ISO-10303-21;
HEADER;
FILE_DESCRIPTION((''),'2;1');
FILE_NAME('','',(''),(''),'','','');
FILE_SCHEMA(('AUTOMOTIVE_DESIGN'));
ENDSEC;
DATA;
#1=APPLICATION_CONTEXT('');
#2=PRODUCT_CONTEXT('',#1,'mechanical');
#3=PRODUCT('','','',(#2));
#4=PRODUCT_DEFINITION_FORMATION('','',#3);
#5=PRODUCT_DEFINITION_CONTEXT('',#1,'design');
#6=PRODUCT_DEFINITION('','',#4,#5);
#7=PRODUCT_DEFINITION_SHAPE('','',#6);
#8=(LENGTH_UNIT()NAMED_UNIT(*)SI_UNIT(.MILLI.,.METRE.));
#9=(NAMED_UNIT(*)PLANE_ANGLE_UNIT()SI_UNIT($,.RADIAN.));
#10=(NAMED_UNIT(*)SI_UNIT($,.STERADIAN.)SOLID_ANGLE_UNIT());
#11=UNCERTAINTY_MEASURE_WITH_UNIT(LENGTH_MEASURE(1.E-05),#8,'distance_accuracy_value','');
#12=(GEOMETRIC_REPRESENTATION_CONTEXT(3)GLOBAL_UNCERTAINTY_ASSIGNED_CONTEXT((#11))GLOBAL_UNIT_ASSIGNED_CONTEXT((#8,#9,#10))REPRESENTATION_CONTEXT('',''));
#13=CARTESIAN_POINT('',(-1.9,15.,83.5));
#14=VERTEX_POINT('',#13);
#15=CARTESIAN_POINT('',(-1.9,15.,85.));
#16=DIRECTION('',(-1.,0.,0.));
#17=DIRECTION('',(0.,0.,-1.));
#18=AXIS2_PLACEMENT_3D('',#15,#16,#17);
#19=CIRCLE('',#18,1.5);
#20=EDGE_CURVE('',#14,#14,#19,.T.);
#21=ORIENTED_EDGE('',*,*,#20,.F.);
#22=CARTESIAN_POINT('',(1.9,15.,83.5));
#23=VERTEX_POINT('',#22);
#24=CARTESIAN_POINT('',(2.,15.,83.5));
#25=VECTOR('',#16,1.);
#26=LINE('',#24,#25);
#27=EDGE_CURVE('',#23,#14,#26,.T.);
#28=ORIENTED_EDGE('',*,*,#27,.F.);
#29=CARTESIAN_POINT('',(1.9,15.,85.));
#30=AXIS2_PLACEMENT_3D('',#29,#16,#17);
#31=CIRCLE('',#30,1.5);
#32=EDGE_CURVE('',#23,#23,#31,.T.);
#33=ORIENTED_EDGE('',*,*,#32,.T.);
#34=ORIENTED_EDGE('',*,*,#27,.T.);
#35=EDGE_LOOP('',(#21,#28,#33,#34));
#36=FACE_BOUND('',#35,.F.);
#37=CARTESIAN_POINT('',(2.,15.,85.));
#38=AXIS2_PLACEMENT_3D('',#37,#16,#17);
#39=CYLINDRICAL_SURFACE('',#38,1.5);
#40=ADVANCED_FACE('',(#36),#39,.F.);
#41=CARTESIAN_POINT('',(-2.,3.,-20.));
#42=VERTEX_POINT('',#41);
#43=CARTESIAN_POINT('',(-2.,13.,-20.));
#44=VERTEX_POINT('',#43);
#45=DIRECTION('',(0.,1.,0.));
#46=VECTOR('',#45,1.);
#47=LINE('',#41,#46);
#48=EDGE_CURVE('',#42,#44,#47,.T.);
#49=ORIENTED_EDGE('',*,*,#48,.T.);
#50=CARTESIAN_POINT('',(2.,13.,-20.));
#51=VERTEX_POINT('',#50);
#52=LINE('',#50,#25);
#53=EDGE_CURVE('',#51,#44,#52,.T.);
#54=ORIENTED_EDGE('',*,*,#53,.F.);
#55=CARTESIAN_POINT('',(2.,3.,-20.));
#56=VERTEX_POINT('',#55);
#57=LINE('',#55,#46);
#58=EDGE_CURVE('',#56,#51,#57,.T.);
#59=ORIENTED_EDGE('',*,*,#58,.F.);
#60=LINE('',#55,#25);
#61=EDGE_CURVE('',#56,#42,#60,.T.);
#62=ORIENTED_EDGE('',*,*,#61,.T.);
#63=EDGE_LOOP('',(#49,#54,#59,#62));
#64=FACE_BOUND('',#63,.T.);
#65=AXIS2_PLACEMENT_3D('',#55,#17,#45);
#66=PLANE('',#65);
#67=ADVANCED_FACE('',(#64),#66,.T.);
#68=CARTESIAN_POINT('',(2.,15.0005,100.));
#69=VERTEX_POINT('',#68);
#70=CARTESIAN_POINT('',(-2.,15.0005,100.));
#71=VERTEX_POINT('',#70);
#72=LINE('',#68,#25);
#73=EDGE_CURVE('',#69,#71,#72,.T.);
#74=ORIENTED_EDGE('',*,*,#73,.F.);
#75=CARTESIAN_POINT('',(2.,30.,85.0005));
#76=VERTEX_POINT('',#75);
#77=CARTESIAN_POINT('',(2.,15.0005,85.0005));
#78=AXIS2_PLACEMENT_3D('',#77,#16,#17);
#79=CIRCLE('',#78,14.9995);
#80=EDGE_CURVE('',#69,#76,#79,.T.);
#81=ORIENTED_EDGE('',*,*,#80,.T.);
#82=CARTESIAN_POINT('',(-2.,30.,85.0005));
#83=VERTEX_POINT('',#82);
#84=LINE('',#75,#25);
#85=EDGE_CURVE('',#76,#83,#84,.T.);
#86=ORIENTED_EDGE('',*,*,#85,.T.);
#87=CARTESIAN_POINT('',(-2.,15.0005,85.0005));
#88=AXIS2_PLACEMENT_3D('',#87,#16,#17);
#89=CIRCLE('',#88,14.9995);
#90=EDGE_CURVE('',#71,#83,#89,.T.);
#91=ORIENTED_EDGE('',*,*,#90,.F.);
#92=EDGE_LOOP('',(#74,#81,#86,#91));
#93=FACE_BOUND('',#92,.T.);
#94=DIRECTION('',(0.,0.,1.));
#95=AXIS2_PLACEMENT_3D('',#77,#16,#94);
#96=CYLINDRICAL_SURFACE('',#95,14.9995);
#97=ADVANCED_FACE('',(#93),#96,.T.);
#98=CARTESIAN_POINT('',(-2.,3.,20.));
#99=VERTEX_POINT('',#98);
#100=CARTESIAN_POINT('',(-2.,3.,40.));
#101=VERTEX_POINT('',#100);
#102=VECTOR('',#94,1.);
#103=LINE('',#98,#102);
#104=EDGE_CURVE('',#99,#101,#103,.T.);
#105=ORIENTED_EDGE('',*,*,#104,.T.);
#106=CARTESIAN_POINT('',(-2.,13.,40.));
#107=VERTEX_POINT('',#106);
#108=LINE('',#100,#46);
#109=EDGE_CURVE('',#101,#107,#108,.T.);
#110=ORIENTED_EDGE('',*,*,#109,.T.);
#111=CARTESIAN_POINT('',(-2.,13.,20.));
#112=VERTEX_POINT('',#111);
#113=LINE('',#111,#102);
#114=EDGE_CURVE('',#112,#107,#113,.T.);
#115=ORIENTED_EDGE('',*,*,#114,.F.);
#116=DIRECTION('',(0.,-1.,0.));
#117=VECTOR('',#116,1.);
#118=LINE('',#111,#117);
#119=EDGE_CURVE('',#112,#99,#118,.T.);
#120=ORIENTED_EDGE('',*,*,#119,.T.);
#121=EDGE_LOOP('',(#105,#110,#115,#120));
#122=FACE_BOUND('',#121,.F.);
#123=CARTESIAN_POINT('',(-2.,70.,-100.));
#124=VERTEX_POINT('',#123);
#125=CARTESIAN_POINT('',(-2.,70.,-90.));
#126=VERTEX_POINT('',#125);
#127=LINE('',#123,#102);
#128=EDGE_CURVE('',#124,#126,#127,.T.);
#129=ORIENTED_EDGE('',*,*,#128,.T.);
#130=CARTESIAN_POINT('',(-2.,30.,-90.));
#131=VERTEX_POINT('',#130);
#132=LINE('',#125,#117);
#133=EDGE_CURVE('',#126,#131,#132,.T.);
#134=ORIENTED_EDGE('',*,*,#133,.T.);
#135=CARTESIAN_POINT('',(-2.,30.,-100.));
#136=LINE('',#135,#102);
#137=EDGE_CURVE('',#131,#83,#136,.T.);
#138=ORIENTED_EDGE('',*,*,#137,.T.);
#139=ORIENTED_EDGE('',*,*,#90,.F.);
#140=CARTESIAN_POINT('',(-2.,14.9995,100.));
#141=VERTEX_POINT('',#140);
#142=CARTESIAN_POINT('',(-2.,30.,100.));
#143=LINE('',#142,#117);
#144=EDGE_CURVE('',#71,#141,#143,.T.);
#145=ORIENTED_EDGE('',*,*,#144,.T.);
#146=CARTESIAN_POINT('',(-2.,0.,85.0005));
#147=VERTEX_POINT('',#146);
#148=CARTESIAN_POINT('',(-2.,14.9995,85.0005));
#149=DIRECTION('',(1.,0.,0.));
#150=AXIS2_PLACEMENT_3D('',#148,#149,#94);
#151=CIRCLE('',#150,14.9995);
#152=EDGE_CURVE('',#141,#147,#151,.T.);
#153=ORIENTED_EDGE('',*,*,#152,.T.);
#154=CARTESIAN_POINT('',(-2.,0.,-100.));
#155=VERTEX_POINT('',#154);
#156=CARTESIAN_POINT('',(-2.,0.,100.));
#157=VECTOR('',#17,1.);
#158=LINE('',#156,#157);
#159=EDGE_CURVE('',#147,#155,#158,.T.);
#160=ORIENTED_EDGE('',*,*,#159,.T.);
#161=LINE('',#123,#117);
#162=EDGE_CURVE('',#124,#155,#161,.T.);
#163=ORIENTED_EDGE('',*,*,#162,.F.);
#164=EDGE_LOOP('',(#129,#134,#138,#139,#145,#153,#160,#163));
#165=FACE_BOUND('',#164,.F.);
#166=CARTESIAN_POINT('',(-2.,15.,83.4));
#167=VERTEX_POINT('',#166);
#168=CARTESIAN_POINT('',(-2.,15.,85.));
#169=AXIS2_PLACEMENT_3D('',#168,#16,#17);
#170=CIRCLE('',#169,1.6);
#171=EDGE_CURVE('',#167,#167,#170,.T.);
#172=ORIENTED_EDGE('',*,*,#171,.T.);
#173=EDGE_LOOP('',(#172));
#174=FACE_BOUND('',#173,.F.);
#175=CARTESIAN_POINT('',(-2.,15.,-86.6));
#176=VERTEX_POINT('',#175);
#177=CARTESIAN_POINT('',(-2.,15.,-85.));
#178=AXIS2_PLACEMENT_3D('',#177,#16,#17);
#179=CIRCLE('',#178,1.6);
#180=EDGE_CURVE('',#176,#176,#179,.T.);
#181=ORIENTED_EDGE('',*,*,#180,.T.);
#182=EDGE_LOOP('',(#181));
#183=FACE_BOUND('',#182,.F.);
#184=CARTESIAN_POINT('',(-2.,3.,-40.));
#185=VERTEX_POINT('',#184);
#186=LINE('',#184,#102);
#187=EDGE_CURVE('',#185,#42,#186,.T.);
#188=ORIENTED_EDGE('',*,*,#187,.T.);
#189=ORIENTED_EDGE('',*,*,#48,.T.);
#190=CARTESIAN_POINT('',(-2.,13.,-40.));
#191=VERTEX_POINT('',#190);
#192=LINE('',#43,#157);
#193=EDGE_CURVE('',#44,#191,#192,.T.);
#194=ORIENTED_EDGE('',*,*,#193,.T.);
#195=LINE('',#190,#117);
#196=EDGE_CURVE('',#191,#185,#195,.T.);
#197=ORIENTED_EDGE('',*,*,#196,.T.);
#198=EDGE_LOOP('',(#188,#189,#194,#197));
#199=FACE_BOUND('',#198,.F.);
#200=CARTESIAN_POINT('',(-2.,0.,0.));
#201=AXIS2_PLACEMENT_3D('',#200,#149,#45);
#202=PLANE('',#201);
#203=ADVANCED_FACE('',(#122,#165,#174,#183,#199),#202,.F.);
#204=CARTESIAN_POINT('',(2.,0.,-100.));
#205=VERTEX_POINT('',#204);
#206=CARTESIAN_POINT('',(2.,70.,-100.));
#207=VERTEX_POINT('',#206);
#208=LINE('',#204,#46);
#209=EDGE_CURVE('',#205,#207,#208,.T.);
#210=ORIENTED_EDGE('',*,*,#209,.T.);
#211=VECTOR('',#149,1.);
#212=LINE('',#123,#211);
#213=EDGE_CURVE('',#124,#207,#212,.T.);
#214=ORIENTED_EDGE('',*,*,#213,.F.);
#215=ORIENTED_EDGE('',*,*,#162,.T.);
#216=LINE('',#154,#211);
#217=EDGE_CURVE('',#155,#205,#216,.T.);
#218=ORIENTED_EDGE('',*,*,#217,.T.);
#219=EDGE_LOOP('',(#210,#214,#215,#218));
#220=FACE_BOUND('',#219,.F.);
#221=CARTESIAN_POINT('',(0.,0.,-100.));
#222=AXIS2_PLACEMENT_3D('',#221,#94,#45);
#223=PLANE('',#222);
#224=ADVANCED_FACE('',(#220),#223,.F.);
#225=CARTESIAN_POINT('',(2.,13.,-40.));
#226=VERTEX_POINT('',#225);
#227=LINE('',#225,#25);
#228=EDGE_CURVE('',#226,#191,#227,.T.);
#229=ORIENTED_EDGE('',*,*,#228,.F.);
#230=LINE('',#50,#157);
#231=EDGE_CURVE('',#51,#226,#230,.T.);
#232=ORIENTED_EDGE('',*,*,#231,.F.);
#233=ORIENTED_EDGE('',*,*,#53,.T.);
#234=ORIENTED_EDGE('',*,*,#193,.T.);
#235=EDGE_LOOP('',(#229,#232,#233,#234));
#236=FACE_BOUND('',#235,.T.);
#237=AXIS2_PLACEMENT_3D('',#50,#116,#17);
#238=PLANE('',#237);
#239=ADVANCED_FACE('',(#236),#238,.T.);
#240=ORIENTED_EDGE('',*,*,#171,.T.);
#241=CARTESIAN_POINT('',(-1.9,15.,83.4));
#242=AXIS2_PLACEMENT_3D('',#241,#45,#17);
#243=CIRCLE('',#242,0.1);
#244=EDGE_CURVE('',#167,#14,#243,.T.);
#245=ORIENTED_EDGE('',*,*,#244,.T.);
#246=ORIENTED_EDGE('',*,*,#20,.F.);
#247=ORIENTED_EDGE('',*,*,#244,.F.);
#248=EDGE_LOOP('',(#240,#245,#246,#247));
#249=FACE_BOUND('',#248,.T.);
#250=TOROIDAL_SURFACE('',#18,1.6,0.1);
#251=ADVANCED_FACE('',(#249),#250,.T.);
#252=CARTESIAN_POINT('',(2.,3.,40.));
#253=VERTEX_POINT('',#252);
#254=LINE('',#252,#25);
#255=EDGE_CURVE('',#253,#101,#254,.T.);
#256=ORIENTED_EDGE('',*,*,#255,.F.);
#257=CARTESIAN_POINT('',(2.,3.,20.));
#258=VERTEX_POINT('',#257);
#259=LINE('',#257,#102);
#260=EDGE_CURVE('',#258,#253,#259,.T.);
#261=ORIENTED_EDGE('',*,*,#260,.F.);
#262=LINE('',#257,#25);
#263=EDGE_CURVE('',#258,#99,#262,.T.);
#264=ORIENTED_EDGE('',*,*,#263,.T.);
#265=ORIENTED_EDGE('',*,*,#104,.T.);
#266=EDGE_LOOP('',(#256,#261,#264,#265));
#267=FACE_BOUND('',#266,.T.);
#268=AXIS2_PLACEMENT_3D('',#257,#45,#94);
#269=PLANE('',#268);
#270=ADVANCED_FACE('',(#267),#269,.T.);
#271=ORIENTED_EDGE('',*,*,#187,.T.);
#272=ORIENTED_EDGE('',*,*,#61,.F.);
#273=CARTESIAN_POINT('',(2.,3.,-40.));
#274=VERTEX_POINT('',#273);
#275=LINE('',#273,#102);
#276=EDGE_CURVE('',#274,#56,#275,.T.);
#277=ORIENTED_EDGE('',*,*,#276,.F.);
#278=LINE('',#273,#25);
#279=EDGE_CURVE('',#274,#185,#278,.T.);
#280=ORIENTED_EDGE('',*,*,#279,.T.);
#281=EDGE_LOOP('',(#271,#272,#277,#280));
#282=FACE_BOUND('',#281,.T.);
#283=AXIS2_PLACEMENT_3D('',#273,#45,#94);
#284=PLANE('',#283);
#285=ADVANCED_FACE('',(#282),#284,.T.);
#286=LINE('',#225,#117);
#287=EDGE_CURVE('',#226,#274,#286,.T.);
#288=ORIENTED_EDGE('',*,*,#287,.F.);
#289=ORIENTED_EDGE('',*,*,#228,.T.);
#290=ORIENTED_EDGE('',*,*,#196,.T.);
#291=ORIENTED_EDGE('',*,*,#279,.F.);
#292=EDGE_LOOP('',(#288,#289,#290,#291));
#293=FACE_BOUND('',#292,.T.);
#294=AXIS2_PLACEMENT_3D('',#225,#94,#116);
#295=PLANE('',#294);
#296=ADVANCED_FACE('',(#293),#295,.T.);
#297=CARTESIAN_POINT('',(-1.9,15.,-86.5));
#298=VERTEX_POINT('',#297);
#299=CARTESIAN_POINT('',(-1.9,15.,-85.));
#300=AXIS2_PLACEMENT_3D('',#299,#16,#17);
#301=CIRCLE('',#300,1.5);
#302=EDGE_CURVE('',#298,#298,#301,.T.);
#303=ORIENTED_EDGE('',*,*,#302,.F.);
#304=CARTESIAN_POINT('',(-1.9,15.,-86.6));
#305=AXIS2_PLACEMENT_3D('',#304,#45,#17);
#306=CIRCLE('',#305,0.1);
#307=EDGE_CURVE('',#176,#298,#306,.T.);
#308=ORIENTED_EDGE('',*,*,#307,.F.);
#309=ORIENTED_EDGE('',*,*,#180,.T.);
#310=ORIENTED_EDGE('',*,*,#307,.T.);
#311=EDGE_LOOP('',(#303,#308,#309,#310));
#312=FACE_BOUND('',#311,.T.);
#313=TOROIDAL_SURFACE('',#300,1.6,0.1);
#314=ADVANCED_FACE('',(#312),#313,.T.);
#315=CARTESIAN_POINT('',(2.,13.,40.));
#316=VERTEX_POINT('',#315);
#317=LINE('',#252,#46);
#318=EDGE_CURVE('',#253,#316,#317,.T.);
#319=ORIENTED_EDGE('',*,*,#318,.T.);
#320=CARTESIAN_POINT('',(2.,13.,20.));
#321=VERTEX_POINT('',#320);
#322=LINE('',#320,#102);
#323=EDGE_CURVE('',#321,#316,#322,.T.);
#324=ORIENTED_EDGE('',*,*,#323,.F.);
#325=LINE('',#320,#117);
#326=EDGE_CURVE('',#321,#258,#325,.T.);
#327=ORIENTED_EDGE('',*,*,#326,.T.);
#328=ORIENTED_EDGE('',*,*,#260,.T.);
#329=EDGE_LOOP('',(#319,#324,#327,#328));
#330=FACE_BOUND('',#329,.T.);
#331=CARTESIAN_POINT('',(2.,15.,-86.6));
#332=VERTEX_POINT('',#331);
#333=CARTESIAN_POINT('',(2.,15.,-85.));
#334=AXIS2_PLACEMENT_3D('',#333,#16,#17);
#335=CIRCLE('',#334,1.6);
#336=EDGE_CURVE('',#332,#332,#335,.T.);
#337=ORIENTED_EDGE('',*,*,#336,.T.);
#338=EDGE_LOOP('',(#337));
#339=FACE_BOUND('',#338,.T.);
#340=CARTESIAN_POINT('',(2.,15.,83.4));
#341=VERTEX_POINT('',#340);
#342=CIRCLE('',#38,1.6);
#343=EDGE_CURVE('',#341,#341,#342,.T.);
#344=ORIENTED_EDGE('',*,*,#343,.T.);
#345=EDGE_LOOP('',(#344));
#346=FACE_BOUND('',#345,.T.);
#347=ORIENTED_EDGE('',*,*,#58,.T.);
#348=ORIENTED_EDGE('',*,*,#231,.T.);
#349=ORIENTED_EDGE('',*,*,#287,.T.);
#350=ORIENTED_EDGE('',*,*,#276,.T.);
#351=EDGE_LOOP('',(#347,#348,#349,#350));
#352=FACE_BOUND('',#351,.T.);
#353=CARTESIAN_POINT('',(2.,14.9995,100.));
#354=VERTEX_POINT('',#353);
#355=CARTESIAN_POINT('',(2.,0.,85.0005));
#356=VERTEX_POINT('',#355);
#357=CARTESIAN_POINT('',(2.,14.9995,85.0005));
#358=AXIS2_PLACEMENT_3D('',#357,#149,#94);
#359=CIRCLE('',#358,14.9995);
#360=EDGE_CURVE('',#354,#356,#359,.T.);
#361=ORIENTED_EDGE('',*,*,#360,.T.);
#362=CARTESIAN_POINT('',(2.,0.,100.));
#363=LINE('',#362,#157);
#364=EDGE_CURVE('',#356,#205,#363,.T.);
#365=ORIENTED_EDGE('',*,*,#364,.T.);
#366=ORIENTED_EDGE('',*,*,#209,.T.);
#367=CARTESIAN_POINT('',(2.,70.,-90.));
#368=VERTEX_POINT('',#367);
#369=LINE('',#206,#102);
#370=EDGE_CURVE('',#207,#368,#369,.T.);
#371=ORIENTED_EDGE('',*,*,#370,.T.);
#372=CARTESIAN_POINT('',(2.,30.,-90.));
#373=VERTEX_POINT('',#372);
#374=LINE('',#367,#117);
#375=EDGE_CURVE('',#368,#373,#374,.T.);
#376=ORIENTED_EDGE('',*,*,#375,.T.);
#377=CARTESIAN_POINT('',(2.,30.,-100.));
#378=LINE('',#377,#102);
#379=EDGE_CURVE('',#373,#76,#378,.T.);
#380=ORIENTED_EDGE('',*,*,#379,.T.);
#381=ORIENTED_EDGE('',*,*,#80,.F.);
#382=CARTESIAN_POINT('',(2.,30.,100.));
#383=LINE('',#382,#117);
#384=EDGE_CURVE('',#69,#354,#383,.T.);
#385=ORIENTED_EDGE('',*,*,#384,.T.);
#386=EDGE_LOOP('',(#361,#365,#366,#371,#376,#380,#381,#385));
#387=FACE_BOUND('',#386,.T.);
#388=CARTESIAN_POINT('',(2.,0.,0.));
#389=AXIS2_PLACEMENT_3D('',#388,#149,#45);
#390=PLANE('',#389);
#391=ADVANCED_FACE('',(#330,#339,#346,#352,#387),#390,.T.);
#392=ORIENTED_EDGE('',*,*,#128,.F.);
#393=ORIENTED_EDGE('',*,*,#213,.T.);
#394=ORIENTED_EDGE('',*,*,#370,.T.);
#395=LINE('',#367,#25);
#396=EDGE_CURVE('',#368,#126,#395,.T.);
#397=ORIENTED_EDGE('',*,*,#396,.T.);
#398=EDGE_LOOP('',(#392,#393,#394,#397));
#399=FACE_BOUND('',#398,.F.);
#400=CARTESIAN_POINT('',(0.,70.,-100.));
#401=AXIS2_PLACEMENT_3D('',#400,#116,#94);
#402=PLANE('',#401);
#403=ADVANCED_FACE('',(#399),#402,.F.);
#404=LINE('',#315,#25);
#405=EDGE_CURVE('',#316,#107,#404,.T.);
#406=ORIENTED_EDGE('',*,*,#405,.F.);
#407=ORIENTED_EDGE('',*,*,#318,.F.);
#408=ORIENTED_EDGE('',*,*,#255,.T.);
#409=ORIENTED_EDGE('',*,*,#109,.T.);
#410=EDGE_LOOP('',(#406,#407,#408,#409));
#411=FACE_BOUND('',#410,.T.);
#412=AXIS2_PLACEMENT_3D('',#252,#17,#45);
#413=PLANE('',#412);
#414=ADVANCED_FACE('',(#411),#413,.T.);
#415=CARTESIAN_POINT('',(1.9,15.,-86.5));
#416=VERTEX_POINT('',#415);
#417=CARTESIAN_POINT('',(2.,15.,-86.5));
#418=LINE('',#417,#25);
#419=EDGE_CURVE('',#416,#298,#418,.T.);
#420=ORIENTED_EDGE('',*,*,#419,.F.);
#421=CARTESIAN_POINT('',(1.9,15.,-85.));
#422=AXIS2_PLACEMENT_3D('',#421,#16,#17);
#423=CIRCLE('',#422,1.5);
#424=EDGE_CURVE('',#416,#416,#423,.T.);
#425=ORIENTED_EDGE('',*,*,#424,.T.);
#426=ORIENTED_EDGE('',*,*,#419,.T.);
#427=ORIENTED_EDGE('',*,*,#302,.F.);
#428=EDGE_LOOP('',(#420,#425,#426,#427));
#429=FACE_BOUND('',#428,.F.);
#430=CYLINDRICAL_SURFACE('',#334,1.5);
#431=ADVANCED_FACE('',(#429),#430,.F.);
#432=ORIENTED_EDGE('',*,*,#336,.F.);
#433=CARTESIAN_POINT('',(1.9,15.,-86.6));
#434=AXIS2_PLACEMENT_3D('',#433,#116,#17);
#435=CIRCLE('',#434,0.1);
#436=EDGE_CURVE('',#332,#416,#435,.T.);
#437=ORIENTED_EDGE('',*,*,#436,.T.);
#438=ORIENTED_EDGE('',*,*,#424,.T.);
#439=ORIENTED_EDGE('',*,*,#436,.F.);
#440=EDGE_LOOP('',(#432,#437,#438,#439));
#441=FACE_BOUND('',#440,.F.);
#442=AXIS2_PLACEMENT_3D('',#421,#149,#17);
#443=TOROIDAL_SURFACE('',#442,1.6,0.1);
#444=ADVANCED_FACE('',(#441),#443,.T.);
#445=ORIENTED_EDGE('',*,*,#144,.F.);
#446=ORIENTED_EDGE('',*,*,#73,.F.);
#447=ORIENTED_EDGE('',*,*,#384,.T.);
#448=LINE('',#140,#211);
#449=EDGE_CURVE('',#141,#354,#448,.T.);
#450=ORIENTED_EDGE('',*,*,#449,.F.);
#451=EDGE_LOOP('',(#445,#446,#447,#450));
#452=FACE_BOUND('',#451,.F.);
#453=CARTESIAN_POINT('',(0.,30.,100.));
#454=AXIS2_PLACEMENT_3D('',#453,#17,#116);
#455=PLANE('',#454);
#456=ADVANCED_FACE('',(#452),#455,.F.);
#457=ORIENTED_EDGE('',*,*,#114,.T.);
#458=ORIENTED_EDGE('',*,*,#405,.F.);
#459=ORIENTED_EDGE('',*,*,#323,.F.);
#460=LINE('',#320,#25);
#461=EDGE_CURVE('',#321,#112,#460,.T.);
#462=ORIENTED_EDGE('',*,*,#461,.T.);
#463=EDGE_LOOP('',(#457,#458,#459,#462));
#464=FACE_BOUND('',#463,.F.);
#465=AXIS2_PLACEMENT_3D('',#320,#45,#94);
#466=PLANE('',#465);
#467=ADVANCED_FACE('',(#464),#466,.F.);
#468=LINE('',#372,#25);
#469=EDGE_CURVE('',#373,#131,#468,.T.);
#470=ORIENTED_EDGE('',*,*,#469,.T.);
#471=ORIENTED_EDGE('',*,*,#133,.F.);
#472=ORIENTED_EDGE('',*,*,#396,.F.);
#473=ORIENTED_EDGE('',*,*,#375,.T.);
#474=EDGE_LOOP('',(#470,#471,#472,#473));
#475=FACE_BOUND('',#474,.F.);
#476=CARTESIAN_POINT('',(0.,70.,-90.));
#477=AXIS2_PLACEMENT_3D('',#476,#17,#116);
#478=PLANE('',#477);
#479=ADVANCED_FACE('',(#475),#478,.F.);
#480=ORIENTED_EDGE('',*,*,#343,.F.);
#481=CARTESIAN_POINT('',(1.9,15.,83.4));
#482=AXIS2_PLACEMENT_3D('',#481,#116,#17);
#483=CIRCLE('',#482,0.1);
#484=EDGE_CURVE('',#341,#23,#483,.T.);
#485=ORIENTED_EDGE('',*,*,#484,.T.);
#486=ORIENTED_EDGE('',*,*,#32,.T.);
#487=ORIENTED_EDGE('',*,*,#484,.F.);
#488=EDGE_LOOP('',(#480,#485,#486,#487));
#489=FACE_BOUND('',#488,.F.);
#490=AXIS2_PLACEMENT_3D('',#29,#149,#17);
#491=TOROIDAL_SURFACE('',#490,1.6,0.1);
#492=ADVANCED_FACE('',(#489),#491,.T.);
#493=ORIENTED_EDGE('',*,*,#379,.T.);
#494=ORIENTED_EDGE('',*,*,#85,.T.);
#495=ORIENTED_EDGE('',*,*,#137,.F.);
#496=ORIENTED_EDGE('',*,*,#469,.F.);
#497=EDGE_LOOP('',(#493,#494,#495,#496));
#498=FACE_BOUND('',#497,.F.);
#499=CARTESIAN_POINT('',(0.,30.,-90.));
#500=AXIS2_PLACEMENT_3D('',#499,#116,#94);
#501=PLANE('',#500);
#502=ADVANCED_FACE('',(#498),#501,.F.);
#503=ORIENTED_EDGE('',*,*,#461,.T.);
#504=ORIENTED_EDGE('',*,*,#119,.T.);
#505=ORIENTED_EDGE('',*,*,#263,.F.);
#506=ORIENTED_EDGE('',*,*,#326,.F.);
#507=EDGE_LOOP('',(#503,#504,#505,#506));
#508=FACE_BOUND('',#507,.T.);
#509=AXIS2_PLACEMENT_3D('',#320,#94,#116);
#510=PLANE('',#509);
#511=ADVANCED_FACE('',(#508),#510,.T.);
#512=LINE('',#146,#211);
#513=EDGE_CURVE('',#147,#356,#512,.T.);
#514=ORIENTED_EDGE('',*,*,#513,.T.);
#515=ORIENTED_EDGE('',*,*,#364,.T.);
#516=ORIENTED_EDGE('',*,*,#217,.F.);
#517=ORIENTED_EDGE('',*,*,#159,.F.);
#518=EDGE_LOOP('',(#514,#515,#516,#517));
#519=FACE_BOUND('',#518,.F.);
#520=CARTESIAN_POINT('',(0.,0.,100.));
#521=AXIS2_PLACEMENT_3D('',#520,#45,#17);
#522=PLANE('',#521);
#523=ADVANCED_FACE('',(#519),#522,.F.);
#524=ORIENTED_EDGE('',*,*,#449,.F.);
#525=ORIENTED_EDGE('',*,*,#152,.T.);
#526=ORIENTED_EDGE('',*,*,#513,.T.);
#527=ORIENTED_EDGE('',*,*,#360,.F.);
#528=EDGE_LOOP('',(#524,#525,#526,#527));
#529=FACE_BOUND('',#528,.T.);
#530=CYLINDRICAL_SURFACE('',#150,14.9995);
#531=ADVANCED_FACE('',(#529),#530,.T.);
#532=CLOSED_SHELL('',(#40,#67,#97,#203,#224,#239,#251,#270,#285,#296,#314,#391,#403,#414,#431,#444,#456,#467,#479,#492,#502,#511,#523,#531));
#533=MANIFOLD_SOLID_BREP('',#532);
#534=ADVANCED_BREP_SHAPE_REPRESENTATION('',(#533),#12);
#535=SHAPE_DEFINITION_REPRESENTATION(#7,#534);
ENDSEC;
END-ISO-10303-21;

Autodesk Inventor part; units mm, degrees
ref_plane "YZ Plane" through (0, 0, 0) normal (1, 0, 0) x (0, 1, 0)
ref_plane "XZ Plane" through (0, 0, 0) normal (0, 1, 0) x (-1, 0, 0)
ref_plane "XY Plane" through (0, 0, 0) normal (0, 0, 1) x (1, 0, 0)
sketch "Эскиз1" plane through (0, 0, 0) normal (1, 0, 0) x (0, 1, 0)
  line L0 (0, 100) -> (0, -100)
  line L1 (0, -100) -> (30, -100)
  line L2 (30, -100) -> (30, 100)
  line L3 (30, 100) -> (0, 100)
  line L4 (-14, 0) -> (84, 0) construction
  line L5 (0, -140) -> (0, 140) construction
  line L6 (30, -100) -> (70, -100)
  line L7 (70, -100) -> (70, -90)
  line L8 (70, -90) -> (30, -90)
  line L9 (30, -90) -> (30, -100)
  point P0 (0, 0)
  dimension "d0" = 200
  dimension "d1" = 30
  dimension "d2" = 10
  dimension "d3" = 40
extrude "Выдавливание1" add sketch "Эскиз1" along normal mid plane 4
fillet "Сопряжение1" radius 15 2 edges at (0, 30, 100) (0, 0, 100)
sketch "Эскиз2" plane through (2, 0, 0) normal (1, 0, 0) x (0, 0, -1)
  line L0 (-20, 13) -> (-40, 13)
  line L1 (-85, 0) -> (100, 0) construction
  line L2 (100, 0) -> (100, 70) projected
  line L3 (-40, 13) -> (-20, 13)
  line L4 (-20, 13) -> (-20, 3)
  line L5 (-20, 3) -> (-40, 3)
  line L6 (-40, 3) -> (-40, 13)
  line L7 (20, 13) -> (40, 13)
  line L8 (40, 13) -> (40, 3)
  line L9 (40, 3) -> (20, 3)
  line L10 (20, 3) -> (20, 13)
  point P0 (0, 0)
  point P1 (57.0517, 0.6179)
  dimension "d26" = 10
  dimension "d27" = 20
  dimension "d28" = 3
  dimension "d29" = 20
  dimension "d31" = 20
  dimension "d34" = 3
  dimension "d35" = 10
  dimension "d36" = 20
extrude "Выдавливание2" cut sketch "Эскиз2" against normal blind 4
sketch "Эскиз3" plane through (2, 0, 0) normal (1, 0, 0) x (0, 0, -1)
  arc A0 (-85, 30) -> (-85, 0) centre (-85, 15) ccw projected
  line L0 (90, 30) -> (-85, 30) projected
  line L1 (100, 0) -> (100, 70) projected
  point P0 (0, 0)
  point P1 (85, 15)
  dimension "d16" = 15
  dimension "d17" = 15
hole "Отверстие1" at (2, 15, -85) at (2, 15, 85) direction (-1, 0, 0) diameter 3 depth 4
fillet "Сопряжение2" radius 0.1 4 edges at (2, 15, -83.5) (2, 15, 86.5) (-2, 15, -83.5) (-2, 15, 86.5)
properties part number "Стенка конвейера"
